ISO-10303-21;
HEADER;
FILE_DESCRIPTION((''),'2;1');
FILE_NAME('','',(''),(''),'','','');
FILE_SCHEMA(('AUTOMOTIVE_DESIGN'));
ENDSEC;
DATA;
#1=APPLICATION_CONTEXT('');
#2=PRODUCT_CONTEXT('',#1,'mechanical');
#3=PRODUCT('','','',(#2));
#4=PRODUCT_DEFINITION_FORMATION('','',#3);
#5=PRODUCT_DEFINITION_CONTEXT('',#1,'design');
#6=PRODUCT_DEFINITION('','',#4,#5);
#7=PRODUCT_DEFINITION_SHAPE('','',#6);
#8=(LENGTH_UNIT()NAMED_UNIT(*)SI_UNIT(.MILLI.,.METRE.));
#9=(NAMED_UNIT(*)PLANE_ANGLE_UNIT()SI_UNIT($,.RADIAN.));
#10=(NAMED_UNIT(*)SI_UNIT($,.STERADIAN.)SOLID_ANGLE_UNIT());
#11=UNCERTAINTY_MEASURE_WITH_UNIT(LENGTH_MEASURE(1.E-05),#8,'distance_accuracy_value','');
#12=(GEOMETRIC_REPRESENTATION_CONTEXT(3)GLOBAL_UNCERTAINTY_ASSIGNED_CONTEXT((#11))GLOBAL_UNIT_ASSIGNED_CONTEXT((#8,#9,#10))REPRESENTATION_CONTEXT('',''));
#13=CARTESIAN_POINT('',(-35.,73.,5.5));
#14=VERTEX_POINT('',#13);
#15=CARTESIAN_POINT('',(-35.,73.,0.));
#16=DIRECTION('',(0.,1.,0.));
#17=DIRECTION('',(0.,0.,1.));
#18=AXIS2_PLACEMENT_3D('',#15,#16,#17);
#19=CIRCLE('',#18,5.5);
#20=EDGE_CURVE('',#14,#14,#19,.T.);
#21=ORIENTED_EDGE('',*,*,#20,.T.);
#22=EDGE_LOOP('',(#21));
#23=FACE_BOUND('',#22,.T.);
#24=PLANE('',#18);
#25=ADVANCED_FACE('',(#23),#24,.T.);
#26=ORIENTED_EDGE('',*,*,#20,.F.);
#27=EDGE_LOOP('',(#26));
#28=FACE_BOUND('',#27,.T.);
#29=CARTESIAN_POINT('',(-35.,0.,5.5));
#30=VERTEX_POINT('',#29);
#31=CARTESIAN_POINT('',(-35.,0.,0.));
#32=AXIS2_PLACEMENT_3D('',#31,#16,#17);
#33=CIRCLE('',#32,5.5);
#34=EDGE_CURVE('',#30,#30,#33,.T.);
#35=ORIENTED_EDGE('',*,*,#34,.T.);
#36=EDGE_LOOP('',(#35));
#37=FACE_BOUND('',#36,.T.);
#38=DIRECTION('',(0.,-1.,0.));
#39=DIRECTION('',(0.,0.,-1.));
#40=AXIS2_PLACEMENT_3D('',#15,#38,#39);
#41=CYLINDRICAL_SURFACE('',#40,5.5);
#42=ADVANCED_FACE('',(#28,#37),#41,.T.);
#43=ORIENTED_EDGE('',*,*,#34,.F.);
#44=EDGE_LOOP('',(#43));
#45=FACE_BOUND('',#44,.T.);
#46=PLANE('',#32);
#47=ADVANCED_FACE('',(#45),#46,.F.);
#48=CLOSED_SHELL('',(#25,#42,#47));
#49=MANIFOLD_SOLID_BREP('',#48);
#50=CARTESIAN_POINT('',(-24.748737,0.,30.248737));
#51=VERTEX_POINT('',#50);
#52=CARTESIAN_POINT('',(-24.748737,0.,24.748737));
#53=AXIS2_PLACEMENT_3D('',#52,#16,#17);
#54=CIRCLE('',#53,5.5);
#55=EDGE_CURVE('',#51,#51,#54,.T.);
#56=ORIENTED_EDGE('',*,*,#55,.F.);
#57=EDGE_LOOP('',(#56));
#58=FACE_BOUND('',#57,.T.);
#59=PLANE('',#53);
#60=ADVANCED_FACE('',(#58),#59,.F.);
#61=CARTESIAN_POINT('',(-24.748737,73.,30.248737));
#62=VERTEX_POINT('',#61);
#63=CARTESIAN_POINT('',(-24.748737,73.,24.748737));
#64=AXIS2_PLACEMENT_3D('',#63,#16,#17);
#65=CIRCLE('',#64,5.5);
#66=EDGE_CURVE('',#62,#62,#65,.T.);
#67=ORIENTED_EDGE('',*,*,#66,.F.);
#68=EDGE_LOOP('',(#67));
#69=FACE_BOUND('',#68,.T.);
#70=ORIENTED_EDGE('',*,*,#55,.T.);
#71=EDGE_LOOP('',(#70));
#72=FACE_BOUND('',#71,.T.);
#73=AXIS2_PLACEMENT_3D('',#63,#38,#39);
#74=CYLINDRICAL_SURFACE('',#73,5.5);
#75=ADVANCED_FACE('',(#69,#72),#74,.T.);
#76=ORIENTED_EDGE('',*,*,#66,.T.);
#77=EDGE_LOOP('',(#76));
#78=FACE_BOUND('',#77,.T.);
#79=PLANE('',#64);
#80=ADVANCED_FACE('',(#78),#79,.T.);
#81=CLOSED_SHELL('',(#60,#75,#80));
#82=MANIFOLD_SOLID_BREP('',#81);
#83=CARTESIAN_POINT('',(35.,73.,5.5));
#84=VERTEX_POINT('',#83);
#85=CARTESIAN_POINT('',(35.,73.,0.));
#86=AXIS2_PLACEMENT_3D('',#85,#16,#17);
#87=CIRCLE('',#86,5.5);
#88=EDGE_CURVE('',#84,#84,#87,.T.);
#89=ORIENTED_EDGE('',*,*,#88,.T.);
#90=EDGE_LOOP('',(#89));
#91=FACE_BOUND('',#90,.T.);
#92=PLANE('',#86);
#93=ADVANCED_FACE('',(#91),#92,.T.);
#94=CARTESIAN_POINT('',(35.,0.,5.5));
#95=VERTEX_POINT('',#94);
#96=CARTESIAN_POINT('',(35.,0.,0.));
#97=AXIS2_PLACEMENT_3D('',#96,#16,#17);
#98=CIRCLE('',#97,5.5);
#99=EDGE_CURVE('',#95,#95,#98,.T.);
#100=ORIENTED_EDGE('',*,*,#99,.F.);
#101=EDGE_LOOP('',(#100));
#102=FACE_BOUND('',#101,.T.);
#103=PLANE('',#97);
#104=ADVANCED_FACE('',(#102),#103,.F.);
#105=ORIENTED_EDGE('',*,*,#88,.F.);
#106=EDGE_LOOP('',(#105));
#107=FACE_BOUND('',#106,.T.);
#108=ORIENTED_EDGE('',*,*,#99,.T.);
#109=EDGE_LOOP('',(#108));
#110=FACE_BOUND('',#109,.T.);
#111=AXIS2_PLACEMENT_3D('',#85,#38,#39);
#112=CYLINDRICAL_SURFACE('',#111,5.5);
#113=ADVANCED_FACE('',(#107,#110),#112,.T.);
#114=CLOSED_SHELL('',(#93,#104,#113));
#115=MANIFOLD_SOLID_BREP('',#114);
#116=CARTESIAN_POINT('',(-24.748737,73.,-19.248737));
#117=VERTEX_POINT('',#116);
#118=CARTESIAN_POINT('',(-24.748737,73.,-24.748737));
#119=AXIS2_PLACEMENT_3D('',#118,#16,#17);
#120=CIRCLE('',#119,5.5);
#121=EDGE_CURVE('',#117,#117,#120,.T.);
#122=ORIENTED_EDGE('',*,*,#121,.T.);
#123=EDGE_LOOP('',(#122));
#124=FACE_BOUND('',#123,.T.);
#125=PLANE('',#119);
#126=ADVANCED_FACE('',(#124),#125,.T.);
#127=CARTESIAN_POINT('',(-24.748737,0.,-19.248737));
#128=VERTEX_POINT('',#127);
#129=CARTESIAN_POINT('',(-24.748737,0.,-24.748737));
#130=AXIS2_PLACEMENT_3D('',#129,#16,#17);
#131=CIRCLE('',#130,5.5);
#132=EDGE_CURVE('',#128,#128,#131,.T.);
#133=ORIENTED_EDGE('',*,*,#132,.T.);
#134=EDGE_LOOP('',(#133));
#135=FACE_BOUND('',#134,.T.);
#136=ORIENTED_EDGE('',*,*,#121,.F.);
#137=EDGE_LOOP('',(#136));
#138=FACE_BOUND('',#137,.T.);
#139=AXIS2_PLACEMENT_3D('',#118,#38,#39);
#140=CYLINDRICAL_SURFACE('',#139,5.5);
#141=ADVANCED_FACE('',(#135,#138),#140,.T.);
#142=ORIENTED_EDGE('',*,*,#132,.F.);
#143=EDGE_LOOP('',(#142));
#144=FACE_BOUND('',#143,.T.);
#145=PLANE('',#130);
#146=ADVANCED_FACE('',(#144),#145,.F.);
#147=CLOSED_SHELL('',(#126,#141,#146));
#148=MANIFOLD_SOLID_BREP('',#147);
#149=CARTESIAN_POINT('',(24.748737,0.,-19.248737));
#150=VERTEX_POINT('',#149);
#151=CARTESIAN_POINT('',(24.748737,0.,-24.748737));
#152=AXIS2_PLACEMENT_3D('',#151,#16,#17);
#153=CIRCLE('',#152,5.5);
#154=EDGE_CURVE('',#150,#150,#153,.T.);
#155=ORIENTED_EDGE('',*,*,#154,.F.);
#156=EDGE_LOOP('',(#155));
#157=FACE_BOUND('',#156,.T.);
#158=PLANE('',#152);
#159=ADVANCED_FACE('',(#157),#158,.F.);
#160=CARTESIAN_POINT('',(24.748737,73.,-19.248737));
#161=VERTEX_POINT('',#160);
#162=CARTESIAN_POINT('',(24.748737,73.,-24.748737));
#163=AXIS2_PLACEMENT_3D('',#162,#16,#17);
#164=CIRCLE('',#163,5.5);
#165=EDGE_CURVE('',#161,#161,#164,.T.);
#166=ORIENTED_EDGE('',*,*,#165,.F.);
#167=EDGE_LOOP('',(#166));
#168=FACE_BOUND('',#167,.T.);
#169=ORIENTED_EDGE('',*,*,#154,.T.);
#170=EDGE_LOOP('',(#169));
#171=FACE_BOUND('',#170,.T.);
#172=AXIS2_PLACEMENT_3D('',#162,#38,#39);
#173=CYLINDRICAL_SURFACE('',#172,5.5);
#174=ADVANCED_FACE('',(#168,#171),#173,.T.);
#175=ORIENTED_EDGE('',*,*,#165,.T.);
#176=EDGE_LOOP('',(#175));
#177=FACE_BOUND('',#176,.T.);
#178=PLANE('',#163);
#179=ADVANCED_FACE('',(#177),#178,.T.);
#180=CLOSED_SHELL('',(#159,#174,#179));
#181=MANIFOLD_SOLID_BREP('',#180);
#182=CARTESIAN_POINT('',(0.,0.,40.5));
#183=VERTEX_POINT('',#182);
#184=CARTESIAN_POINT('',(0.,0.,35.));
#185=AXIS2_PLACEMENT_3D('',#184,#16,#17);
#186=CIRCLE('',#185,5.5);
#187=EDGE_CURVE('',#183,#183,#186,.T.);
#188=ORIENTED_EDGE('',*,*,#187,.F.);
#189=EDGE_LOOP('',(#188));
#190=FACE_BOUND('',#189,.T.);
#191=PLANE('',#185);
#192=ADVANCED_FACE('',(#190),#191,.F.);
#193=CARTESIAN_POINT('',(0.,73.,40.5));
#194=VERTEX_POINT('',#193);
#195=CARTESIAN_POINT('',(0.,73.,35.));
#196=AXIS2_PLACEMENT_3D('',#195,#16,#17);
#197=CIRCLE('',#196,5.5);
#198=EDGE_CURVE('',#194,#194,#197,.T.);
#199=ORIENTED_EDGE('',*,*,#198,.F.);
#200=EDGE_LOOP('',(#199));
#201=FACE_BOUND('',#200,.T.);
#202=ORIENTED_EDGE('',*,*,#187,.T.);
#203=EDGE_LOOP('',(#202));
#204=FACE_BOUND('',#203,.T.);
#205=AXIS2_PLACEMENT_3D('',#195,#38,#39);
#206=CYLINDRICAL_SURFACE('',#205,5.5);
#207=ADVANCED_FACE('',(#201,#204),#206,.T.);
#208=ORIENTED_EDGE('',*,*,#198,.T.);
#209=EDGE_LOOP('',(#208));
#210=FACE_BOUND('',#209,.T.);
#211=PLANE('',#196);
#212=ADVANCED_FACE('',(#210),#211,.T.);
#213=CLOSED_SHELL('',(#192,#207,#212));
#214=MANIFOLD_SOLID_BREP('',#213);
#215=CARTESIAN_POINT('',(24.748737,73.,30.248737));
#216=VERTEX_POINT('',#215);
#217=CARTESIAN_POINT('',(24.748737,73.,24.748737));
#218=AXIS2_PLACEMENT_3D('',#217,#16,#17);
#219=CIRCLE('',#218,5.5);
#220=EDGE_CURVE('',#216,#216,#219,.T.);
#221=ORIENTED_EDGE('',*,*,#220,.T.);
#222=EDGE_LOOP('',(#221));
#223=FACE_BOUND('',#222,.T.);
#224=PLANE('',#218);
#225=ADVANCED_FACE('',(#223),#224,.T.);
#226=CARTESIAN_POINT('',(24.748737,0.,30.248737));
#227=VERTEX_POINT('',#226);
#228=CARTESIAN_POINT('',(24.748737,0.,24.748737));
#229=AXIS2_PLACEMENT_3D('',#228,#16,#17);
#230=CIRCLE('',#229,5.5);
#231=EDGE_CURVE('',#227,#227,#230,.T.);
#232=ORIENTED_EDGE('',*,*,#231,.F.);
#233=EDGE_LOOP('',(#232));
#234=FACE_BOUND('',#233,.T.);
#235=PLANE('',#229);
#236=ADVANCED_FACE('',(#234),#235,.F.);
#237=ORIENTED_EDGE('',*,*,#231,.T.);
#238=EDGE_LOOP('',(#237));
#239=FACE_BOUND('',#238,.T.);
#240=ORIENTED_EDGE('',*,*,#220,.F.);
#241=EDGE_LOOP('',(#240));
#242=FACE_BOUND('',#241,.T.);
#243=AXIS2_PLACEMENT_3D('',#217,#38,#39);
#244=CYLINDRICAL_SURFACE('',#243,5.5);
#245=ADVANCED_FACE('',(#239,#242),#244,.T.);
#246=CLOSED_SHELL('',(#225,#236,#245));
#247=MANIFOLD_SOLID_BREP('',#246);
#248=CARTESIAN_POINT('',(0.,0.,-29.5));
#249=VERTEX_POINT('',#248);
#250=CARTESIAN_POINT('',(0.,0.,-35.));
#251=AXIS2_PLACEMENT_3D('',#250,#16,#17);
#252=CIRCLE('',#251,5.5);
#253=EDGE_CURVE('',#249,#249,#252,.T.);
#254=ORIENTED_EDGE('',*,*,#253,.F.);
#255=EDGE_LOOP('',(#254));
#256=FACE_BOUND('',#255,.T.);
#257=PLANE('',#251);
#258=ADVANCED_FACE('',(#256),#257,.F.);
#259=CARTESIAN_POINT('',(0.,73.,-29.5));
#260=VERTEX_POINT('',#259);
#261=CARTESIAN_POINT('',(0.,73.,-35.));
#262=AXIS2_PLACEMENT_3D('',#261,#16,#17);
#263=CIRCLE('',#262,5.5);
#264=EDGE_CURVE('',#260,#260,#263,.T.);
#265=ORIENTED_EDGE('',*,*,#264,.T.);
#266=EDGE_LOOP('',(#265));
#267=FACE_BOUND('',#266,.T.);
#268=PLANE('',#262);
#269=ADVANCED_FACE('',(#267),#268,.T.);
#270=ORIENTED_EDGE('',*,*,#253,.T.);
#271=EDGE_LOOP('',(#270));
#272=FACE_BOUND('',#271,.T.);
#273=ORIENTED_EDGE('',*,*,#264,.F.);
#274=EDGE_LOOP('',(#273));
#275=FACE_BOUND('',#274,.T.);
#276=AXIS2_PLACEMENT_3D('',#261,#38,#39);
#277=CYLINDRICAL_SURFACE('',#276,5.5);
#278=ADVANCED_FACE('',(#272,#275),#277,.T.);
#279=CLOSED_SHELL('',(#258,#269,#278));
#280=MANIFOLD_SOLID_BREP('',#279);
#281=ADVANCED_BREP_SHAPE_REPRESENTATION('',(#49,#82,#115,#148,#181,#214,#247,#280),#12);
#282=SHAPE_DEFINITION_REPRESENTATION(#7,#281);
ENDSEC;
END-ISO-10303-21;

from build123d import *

# Parameters (mm, degrees)
SKETCH1_R             = 5.5
BOSS_EXTRUDE1_DEPTH   = 73
BOSS_EXTRUDE1_2_DEPTH = 73
BOSS_EXTRUDE1_3_DEPTH = 73
BOSS_EXTRUDE1_4_DEPTH = 73
BOSS_EXTRUDE1_5_DEPTH = 73
BOSS_EXTRUDE1_6_DEPTH = 73
BOSS_EXTRUDE1_7_DEPTH = 73
BOSS_EXTRUDE1_8_DEPTH = 73


with BuildPart() as part:
    # Sketch1 → Boss-Extrude1 (new body)
    with BuildSketch(Plane(origin=(0, 0, 0), x_dir=(1, 0, 0), z_dir=(0, 1, 0))):
        with Locations((-35, 0)):
            Circle(SKETCH1_R)
    extrude(amount=BOSS_EXTRUDE1_DEPTH)


with BuildPart() as body_2:
    # Sketch1 → Boss-Extrude1 2 (new body)
    with BuildSketch(Plane(origin=(0, 0, 0), x_dir=(1, 0, 0), z_dir=(0, 1, 0))):
        with Locations((-24.748737342, 24.748737342)):
            Circle(SKETCH1_R)
    extrude(amount=BOSS_EXTRUDE1_2_DEPTH)


with BuildPart() as body_3:
    # Sketch1 → Boss-Extrude1 3 (new body)
    with BuildSketch(Plane(origin=(0, 0, 0), x_dir=(1, 0, 0), z_dir=(0, 1, 0))):
        with Locations((0, 35)):
            Circle(SKETCH1_R)
    extrude(amount=BOSS_EXTRUDE1_3_DEPTH)


with BuildPart() as body_4:
    # Sketch1 → Boss-Extrude1 4 (new body)
    with BuildSketch(Plane(origin=(0, 0, 0), x_dir=(1, 0, 0), z_dir=(0, 1, 0))):
        with Locations((24.748737342, 24.748737342)):
            Circle(SKETCH1_R)
    extrude(amount=BOSS_EXTRUDE1_4_DEPTH)


with BuildPart() as body_5:
    # Sketch1 → Boss-Extrude1 5 (new body)
    with BuildSketch(Plane(origin=(0, 0, 0), x_dir=(1, 0, 0), z_dir=(0, 1, 0))):
        with Locations((35, 0)):
            Circle(SKETCH1_R)
    extrude(amount=BOSS_EXTRUDE1_5_DEPTH)


with BuildPart() as body_6:
    # Sketch1 → Boss-Extrude1 6 (new body)
    with BuildSketch(Plane(origin=(0, 0, 0), x_dir=(1, 0, 0), z_dir=(0, 1, 0))):
        with Locations((24.748737342, -24.748737342)):
            Circle(SKETCH1_R)
    extrude(amount=BOSS_EXTRUDE1_6_DEPTH)


with BuildPart() as body_7:
    # Sketch1 → Boss-Extrude1 7 (new body)
    with BuildSketch(Plane(origin=(0, 0, 0), x_dir=(1, 0, 0), z_dir=(0, 1, 0))):
        with Locations((0, -35)):
            Circle(SKETCH1_R)
    extrude(amount=BOSS_EXTRUDE1_7_DEPTH)


with BuildPart() as body_8:
    # Sketch1 → Boss-Extrude1 8 (new body)
    with BuildSketch(Plane(origin=(0, 0, 0), x_dir=(1, 0, 0), z_dir=(0, 1, 0))):
        with Locations((-24.748737342, -24.748737342)):
            Circle(SKETCH1_R)
    extrude(amount=BOSS_EXTRUDE1_8_DEPTH)


solid = Compound([part.part, body_2.part, body_3.part, body_4.part, body_5.part, body_6.part, body_7.part, body_8.part])
